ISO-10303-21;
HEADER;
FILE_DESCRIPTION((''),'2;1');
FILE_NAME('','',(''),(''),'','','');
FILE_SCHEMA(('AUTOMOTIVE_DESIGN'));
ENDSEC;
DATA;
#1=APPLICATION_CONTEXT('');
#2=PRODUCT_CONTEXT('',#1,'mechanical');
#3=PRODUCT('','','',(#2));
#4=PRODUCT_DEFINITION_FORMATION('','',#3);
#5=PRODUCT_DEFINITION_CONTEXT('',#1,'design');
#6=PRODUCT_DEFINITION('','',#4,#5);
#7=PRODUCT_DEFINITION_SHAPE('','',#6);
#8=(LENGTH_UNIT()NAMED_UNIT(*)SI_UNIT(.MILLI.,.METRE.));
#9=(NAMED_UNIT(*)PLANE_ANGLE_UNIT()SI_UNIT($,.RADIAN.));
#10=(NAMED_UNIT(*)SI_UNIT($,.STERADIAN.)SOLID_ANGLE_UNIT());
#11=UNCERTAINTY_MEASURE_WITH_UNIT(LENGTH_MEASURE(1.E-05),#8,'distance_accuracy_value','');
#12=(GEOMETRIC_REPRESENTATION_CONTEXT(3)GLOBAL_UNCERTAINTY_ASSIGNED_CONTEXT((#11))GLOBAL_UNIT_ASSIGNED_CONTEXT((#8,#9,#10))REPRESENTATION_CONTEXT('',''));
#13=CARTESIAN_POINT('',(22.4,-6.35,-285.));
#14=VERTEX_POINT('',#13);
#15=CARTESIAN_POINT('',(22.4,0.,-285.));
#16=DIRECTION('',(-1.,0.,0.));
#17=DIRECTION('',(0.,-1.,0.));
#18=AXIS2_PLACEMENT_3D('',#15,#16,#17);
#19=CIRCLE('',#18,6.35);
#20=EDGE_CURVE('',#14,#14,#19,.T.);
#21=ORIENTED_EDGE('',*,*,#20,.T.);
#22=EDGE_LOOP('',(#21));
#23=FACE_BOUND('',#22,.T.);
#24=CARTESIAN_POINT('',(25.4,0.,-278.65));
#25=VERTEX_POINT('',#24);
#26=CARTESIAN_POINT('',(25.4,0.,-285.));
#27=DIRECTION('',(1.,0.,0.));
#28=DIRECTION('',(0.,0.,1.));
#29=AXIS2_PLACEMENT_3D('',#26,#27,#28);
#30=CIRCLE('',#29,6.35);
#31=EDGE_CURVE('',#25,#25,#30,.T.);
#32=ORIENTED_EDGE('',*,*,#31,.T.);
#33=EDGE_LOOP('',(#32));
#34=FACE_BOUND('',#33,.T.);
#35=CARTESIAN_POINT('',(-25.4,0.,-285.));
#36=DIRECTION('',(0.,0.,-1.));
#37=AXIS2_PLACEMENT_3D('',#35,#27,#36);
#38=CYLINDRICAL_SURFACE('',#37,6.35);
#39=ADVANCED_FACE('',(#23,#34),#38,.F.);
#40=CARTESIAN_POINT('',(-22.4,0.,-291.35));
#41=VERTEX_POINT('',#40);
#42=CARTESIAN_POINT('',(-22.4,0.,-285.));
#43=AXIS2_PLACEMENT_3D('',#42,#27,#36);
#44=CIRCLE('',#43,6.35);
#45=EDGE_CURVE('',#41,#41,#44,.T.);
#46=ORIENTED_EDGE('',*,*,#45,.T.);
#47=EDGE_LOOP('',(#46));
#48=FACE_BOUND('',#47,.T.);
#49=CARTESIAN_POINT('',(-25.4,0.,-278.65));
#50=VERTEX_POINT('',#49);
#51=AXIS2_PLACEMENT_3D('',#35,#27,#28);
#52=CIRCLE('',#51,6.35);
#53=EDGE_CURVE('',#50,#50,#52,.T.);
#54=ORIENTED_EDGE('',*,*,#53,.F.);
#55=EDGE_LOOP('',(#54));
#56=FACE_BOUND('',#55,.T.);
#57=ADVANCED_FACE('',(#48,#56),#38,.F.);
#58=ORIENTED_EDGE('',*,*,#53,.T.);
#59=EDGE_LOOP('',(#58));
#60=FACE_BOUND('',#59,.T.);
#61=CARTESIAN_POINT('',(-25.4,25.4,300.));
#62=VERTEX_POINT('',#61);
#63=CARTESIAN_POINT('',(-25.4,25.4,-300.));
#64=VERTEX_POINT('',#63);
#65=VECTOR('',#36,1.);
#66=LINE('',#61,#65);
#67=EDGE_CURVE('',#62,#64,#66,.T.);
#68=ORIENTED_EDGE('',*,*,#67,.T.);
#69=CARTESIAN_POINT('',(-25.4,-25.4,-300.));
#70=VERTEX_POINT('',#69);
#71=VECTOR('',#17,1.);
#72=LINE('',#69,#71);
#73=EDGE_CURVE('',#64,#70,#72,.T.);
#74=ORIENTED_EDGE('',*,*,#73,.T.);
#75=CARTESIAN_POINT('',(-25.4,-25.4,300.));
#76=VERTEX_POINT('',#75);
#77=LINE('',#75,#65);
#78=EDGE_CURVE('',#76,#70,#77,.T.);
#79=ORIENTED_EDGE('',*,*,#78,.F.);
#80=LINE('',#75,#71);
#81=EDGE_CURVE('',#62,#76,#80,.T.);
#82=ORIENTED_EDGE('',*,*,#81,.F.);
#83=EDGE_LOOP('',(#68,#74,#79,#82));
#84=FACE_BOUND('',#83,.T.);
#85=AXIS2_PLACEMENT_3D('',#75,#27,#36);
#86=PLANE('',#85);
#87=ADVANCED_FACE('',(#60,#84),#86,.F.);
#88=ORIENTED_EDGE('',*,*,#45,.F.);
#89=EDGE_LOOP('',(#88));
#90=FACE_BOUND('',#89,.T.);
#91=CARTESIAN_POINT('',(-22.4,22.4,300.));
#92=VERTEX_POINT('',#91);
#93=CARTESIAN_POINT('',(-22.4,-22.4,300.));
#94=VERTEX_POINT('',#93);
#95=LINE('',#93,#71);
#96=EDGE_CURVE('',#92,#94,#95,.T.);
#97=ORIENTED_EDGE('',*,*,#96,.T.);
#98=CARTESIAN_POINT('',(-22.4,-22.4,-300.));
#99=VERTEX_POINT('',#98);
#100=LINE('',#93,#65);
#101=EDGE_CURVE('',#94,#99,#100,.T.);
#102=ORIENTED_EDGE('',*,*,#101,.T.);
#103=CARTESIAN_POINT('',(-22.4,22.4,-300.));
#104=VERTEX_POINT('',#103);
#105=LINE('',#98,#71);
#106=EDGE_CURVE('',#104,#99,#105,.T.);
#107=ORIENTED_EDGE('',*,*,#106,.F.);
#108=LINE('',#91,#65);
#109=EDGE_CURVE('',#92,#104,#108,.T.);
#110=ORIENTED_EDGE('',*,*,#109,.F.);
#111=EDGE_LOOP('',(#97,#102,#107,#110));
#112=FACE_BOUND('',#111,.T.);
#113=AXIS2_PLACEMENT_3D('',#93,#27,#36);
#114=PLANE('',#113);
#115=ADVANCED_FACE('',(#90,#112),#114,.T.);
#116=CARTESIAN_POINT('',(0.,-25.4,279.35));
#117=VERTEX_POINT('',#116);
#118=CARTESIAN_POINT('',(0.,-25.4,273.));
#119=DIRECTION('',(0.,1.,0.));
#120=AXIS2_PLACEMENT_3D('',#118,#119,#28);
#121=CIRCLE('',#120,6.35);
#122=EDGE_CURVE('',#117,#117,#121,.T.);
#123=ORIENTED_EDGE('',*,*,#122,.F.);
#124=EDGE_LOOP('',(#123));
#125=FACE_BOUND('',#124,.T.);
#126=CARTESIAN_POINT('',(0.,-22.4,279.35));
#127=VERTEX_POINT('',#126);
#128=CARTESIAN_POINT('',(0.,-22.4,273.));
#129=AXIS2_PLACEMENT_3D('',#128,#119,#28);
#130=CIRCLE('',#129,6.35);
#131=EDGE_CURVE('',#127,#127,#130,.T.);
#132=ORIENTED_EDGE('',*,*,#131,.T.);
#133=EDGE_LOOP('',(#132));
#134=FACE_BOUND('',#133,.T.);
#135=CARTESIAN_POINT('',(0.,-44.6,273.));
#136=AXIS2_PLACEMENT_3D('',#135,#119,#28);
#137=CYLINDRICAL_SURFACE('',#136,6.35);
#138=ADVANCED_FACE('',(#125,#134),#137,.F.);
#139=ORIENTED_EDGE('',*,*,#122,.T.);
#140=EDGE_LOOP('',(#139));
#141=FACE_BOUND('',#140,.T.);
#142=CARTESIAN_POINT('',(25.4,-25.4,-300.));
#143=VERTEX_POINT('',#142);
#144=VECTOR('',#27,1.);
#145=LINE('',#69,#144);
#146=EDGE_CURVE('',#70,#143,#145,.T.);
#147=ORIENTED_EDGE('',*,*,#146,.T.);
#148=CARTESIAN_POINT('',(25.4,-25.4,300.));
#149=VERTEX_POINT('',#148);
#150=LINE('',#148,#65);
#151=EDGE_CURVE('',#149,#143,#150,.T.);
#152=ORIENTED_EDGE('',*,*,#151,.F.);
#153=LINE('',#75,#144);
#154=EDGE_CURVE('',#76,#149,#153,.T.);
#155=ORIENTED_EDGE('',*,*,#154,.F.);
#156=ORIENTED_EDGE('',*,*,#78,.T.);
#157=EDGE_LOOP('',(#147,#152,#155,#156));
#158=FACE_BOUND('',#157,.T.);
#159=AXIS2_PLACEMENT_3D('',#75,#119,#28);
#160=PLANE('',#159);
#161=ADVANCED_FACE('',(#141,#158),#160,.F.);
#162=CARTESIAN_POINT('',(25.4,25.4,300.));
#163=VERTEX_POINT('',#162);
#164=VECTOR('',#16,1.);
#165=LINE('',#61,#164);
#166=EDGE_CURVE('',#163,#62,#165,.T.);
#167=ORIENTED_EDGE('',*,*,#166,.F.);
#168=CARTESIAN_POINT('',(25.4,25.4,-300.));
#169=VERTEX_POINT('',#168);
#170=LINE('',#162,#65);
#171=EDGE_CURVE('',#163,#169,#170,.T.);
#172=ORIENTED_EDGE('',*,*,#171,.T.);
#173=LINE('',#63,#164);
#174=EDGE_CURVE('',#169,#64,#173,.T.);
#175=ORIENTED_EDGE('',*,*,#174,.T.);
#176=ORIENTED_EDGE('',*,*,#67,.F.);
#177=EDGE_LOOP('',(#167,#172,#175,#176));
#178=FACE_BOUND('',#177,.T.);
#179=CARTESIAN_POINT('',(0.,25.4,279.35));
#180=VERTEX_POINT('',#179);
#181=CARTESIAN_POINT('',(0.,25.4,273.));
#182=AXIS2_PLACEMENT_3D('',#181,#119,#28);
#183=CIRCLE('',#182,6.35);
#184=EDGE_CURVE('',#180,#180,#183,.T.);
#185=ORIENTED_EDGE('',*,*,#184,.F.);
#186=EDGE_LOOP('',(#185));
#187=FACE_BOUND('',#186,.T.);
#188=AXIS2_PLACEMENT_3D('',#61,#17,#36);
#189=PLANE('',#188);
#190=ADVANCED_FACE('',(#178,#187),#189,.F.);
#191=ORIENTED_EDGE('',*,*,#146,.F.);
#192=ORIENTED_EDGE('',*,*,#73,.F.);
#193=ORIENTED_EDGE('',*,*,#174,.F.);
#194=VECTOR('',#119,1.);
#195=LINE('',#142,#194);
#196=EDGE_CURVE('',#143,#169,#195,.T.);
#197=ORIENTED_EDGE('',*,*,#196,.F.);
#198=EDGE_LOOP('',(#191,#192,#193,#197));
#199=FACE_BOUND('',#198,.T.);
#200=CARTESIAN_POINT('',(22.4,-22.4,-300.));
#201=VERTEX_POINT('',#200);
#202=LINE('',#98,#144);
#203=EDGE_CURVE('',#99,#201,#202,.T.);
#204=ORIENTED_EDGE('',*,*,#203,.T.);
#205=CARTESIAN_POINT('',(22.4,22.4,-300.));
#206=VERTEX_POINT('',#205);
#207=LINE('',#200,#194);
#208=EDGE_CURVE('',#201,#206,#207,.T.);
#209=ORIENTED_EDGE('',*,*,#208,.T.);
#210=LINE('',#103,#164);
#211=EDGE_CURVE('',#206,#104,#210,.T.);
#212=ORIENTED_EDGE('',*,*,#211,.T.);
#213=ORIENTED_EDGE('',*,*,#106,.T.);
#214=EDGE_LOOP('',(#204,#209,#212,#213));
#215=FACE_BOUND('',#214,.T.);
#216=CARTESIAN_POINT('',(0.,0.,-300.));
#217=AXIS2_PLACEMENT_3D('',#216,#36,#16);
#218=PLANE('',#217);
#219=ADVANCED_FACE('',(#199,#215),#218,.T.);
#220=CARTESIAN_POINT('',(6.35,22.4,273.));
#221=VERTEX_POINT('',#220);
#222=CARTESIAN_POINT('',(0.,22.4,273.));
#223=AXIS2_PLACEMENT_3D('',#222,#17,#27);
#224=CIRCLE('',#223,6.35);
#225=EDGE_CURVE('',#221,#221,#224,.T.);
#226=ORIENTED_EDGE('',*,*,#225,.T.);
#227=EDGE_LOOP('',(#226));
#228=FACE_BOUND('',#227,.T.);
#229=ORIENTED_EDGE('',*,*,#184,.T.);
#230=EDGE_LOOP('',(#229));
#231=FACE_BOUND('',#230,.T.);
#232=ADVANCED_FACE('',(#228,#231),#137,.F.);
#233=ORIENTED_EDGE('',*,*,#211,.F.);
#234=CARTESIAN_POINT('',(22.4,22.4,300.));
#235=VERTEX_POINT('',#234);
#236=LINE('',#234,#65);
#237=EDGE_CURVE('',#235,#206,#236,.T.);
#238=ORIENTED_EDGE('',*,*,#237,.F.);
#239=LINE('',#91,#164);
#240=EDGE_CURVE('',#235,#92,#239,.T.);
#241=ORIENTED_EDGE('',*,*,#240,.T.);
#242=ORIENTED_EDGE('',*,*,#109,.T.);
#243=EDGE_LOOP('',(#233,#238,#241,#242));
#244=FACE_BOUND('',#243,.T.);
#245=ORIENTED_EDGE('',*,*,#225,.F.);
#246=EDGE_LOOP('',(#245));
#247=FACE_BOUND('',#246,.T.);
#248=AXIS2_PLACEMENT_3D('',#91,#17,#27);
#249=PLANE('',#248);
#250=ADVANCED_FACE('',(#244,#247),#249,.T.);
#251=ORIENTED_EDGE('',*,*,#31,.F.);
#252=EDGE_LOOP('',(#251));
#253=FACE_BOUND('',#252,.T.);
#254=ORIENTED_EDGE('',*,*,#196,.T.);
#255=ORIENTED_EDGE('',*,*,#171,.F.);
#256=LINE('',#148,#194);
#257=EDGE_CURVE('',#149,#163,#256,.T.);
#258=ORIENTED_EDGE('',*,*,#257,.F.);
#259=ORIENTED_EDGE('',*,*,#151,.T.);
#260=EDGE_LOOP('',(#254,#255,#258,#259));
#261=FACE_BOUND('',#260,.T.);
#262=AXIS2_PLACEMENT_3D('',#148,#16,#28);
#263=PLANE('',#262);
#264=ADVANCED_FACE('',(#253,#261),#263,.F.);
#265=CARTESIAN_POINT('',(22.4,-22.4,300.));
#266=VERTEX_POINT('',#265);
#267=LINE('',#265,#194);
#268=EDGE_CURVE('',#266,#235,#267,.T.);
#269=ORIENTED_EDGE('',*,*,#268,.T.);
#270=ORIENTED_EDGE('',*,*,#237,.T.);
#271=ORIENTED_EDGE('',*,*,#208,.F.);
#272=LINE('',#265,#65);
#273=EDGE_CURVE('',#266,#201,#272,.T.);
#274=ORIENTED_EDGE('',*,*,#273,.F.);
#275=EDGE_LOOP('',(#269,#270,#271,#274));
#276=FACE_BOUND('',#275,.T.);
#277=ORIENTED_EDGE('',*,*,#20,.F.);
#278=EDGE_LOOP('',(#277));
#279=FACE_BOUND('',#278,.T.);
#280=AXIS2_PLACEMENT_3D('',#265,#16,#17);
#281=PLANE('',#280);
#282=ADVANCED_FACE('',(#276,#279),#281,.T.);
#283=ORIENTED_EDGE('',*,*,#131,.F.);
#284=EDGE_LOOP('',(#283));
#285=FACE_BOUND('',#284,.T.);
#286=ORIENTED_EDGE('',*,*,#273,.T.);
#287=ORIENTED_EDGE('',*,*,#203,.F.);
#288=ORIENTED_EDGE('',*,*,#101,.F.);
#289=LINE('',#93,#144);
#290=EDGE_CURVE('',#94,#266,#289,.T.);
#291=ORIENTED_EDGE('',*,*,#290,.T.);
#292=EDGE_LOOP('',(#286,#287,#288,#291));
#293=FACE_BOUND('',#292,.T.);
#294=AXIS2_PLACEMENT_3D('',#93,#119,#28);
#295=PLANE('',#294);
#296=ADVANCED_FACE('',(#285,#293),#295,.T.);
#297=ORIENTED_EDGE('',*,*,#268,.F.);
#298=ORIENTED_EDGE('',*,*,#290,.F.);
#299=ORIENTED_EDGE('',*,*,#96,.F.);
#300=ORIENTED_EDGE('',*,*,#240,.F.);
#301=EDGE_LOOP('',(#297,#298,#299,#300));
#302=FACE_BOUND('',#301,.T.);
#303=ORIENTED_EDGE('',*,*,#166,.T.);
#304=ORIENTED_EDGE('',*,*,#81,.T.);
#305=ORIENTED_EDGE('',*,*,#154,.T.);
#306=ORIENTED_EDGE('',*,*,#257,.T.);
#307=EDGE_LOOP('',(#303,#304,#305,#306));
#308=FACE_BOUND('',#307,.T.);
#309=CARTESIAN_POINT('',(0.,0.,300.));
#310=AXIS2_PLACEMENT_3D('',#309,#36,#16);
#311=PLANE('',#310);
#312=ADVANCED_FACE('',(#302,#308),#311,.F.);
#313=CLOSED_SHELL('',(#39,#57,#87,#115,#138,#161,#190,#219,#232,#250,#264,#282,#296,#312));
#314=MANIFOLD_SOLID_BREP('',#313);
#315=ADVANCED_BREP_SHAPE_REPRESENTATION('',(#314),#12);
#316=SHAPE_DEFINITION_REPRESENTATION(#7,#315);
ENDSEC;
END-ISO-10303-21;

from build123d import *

# Parameters (mm, degrees)
CROQUIS1_W              = 50.8
CROQUIS1_H              = 50.8
CROQUIS1_W_2            = 44.8
CROQUIS1_H_2            = 44.8
SALIENTE_EXTRUIR1_DEPTH = 300
CROQUIS2_R              = 6.35
CORTAR_EXTRUIR1_DEPTH   = 306.32900288
CROQUIS3_R              = 6.35
CORTAR_EXTRUIR2_DEPTH   = 70


with BuildPart() as part:
    # Croquis1 → Saliente-Extruir1 (new, symmetric)
    with BuildSketch(Plane.XY):
        Rectangle(CROQUIS1_W, CROQUIS1_H)
        Rectangle(CROQUIS1_W_2, CROQUIS1_H_2, mode=Mode.SUBTRACT)
    extrude(amount=SALIENTE_EXTRUIR1_DEPTH, both=True)

    # Croquis2 → Cortar-Extruir1 (cut, through all)
    with BuildSketch(Plane(origin=(25.4, 0, 0), x_dir=(0, 0, -1), z_dir=(1, 0, 0))):
        with Locations(Location((285, 0, 0), (0, 0, 270))):
            Circle(CROQUIS2_R)
    extrude(amount=-CORTAR_EXTRUIR1_DEPTH, mode=Mode.SUBTRACT)

    # Croquis3 → Cortar-Extruir2 (cut)
    with BuildSketch(Plane(origin=(0, 25.4, 0), x_dir=(1, 0, 0), z_dir=(0, 1, 0))):
        with Locations(Location((0, -273, 0), (0, 0, 270))):
            Circle(CROQUIS3_R)
    extrude(amount=-CORTAR_EXTRUIR2_DEPTH, mode=Mode.SUBTRACT)


solid = part.part
